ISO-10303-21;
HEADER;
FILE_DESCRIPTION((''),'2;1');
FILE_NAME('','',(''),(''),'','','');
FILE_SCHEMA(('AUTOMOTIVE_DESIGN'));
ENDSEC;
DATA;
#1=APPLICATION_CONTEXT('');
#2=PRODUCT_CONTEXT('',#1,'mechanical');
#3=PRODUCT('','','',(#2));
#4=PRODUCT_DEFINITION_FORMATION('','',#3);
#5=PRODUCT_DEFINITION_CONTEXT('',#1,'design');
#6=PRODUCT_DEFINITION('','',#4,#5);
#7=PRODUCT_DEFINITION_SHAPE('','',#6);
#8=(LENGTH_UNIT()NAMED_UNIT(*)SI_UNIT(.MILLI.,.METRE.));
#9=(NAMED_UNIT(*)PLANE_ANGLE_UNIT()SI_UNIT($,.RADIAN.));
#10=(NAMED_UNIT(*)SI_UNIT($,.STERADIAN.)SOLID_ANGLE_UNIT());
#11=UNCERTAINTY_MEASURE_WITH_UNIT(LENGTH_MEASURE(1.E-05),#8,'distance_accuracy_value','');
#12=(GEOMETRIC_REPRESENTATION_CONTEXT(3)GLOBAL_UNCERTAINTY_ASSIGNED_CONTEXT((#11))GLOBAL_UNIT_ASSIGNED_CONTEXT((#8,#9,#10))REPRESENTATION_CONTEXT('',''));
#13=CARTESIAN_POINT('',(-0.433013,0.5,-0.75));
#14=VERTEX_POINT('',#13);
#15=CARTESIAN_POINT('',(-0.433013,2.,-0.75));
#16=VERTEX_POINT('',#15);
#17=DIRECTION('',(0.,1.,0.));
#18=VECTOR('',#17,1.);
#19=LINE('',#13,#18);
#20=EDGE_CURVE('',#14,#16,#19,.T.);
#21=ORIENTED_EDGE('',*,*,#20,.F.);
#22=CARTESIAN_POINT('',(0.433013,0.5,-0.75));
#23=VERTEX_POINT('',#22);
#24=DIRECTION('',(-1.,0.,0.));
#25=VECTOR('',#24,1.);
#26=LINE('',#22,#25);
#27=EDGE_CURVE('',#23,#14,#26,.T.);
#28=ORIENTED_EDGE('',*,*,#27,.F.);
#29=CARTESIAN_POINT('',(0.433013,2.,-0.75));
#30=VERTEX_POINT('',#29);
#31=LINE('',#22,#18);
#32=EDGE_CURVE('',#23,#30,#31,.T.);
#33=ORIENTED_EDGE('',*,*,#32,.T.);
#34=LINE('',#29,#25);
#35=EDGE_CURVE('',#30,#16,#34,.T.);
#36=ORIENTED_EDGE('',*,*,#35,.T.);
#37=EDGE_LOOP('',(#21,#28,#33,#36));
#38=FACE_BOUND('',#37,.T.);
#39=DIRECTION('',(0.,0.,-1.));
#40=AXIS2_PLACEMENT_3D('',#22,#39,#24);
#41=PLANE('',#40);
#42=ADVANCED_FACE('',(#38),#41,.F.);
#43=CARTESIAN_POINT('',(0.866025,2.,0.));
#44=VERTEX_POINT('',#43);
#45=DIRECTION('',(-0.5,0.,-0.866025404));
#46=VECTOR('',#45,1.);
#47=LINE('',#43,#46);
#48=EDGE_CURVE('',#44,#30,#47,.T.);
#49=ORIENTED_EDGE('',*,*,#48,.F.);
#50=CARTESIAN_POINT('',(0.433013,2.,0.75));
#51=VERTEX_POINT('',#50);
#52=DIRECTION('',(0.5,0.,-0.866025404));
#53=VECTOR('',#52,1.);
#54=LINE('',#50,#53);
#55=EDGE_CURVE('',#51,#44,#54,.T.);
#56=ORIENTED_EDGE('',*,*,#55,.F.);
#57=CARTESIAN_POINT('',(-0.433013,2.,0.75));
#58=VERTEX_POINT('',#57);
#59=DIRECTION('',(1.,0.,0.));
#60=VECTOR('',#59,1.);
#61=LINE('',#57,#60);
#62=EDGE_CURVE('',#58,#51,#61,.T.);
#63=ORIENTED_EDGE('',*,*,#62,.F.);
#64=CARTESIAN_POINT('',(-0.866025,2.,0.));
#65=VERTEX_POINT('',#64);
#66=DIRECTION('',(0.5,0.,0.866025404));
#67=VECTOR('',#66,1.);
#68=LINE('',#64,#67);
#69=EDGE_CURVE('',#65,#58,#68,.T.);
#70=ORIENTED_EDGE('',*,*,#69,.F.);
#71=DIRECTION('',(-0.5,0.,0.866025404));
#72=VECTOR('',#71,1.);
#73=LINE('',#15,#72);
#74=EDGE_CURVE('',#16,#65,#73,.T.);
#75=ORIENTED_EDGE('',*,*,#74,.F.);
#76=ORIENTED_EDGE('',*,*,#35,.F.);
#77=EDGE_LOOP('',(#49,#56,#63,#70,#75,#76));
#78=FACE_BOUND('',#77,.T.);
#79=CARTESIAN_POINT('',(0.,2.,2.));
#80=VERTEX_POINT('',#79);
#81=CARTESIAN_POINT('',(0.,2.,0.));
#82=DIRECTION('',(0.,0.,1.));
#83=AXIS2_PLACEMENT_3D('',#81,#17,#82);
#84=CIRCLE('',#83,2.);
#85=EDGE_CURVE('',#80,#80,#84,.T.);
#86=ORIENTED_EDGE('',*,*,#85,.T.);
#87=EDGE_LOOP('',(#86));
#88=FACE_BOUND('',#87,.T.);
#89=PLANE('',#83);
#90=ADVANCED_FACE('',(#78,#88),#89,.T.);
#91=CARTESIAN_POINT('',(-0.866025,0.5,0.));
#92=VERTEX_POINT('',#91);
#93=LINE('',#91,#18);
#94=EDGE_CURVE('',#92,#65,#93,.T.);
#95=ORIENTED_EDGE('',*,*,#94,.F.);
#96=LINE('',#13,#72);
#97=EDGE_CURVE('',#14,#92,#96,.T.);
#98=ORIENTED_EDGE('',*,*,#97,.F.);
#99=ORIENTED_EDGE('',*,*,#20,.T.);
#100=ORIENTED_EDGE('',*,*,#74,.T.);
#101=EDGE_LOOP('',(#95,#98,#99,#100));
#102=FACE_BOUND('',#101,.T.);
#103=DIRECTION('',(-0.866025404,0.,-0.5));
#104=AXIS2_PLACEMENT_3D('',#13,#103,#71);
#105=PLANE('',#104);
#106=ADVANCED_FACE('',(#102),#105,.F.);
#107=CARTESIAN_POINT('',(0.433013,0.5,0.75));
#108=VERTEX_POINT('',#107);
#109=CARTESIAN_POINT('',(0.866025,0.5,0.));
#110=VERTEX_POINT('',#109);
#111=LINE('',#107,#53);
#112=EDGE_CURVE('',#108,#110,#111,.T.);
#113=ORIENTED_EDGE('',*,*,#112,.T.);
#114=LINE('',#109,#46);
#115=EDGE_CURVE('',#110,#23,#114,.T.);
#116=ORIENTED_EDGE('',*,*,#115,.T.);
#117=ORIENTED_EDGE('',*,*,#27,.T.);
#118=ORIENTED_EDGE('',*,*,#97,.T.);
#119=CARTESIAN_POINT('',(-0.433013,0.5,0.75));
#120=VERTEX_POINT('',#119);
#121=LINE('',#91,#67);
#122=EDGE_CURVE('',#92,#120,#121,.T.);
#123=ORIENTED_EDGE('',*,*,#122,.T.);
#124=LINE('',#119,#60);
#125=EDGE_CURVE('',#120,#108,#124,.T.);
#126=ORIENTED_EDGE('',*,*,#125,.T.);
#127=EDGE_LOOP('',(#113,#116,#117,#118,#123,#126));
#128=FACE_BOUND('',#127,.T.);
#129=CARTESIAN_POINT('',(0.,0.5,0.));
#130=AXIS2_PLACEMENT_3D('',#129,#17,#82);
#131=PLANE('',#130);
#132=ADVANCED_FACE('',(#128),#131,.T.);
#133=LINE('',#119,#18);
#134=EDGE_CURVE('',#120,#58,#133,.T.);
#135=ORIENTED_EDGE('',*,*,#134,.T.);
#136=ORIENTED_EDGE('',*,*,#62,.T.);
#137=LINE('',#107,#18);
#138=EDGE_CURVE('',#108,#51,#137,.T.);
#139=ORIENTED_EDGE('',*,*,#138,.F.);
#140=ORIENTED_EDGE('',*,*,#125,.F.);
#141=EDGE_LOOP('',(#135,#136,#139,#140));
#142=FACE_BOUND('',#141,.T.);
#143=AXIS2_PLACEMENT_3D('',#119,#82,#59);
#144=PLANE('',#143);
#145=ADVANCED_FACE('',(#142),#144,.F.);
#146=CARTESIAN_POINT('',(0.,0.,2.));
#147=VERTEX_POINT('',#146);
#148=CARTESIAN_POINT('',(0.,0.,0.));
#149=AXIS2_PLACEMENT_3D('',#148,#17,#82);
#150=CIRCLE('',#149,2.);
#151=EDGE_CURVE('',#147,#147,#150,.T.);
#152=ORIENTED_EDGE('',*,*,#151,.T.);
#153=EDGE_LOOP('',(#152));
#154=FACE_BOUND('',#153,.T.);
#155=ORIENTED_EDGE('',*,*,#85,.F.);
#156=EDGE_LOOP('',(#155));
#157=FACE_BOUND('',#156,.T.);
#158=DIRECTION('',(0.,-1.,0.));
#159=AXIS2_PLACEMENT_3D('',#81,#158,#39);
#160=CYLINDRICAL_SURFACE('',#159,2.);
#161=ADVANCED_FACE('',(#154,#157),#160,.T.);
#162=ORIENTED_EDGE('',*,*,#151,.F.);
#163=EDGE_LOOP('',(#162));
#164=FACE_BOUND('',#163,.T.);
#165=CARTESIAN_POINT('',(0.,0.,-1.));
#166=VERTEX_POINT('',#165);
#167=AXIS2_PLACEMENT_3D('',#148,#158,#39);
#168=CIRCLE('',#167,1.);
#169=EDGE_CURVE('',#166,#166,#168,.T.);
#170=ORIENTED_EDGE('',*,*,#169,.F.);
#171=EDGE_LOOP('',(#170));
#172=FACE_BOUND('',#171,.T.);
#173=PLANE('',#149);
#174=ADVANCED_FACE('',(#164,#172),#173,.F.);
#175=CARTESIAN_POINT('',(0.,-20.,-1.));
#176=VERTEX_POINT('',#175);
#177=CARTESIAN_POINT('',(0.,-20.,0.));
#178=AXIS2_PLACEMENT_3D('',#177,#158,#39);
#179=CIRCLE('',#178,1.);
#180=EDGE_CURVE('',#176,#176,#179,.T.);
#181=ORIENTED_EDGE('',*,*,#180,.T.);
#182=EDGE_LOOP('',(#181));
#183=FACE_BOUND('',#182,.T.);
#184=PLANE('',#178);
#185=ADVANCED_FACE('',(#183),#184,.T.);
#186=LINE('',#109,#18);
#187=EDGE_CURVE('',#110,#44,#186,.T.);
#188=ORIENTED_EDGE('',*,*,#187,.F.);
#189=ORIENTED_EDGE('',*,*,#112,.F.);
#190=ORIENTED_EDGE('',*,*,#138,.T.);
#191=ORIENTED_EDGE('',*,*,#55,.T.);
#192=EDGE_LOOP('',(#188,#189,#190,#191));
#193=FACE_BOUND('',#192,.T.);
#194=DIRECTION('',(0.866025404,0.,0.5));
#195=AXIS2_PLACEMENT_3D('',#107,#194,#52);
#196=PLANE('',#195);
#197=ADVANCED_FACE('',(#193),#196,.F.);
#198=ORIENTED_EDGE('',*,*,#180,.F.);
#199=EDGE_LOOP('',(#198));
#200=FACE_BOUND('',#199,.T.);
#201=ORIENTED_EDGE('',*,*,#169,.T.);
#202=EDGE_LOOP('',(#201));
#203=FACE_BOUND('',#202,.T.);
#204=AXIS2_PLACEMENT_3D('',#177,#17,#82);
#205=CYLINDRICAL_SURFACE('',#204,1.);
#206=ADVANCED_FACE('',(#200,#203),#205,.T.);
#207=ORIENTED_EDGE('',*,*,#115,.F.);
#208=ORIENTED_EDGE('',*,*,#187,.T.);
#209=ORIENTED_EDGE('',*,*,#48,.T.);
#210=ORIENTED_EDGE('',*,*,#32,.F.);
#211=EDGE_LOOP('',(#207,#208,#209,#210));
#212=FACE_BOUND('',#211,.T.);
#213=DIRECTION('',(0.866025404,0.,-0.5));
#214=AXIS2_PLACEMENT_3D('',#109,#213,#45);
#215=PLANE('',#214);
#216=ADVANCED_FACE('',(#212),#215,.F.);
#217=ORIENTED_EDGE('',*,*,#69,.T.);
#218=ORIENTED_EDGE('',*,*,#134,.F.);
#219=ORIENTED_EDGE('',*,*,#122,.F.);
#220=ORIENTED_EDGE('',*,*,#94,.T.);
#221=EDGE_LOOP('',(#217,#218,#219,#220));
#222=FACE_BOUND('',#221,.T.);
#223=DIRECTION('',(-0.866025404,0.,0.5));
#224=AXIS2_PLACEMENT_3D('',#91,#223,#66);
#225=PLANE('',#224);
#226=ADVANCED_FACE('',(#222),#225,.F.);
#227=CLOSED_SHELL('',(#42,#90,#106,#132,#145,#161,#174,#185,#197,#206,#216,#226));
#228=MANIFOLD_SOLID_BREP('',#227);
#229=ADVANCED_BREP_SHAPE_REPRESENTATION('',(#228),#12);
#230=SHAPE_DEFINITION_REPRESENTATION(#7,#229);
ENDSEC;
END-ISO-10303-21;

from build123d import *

# Parameters (mm, degrees)
SKETCH_1_R            = 2
EXTRUDE_246_DEPTH     = 2
CUT_EXTRUDE_376_DEPTH = 1.5
SKETCH_3_R            = 1
EXTRUDE_477_DEPTH     = 20


with BuildPart() as part:
    # 草图1 → Extrude 246 (new body)
    with BuildSketch(Plane(origin=(0, 0, 0), x_dir=(1, 0, 0), z_dir=(0, 1, 0))):
        Circle(SKETCH_1_R)
    extrude(amount=EXTRUDE_246_DEPTH)

    # 草图2 → Cut-Extrude 376 (cut)
    with BuildSketch(Plane(origin=(0, 2, 0), x_dir=(1, 0, 0), z_dir=(0, 1, 0))):
        Polygon((0.866025404, 0), (0.433012702, 0.75), (-0.433012702, 0.75), (-0.866025404, 0), (-0.433012702, -0.75), (0.433012702, -0.75), align=None)
    extrude(amount=-CUT_EXTRUDE_376_DEPTH, mode=Mode.SUBTRACT)

    # 草图3 → Extrude 477 (add)
    with BuildSketch(Plane.XZ):
        Circle(SKETCH_3_R)
    extrude(amount=EXTRUDE_477_DEPTH)


solid = part.part
